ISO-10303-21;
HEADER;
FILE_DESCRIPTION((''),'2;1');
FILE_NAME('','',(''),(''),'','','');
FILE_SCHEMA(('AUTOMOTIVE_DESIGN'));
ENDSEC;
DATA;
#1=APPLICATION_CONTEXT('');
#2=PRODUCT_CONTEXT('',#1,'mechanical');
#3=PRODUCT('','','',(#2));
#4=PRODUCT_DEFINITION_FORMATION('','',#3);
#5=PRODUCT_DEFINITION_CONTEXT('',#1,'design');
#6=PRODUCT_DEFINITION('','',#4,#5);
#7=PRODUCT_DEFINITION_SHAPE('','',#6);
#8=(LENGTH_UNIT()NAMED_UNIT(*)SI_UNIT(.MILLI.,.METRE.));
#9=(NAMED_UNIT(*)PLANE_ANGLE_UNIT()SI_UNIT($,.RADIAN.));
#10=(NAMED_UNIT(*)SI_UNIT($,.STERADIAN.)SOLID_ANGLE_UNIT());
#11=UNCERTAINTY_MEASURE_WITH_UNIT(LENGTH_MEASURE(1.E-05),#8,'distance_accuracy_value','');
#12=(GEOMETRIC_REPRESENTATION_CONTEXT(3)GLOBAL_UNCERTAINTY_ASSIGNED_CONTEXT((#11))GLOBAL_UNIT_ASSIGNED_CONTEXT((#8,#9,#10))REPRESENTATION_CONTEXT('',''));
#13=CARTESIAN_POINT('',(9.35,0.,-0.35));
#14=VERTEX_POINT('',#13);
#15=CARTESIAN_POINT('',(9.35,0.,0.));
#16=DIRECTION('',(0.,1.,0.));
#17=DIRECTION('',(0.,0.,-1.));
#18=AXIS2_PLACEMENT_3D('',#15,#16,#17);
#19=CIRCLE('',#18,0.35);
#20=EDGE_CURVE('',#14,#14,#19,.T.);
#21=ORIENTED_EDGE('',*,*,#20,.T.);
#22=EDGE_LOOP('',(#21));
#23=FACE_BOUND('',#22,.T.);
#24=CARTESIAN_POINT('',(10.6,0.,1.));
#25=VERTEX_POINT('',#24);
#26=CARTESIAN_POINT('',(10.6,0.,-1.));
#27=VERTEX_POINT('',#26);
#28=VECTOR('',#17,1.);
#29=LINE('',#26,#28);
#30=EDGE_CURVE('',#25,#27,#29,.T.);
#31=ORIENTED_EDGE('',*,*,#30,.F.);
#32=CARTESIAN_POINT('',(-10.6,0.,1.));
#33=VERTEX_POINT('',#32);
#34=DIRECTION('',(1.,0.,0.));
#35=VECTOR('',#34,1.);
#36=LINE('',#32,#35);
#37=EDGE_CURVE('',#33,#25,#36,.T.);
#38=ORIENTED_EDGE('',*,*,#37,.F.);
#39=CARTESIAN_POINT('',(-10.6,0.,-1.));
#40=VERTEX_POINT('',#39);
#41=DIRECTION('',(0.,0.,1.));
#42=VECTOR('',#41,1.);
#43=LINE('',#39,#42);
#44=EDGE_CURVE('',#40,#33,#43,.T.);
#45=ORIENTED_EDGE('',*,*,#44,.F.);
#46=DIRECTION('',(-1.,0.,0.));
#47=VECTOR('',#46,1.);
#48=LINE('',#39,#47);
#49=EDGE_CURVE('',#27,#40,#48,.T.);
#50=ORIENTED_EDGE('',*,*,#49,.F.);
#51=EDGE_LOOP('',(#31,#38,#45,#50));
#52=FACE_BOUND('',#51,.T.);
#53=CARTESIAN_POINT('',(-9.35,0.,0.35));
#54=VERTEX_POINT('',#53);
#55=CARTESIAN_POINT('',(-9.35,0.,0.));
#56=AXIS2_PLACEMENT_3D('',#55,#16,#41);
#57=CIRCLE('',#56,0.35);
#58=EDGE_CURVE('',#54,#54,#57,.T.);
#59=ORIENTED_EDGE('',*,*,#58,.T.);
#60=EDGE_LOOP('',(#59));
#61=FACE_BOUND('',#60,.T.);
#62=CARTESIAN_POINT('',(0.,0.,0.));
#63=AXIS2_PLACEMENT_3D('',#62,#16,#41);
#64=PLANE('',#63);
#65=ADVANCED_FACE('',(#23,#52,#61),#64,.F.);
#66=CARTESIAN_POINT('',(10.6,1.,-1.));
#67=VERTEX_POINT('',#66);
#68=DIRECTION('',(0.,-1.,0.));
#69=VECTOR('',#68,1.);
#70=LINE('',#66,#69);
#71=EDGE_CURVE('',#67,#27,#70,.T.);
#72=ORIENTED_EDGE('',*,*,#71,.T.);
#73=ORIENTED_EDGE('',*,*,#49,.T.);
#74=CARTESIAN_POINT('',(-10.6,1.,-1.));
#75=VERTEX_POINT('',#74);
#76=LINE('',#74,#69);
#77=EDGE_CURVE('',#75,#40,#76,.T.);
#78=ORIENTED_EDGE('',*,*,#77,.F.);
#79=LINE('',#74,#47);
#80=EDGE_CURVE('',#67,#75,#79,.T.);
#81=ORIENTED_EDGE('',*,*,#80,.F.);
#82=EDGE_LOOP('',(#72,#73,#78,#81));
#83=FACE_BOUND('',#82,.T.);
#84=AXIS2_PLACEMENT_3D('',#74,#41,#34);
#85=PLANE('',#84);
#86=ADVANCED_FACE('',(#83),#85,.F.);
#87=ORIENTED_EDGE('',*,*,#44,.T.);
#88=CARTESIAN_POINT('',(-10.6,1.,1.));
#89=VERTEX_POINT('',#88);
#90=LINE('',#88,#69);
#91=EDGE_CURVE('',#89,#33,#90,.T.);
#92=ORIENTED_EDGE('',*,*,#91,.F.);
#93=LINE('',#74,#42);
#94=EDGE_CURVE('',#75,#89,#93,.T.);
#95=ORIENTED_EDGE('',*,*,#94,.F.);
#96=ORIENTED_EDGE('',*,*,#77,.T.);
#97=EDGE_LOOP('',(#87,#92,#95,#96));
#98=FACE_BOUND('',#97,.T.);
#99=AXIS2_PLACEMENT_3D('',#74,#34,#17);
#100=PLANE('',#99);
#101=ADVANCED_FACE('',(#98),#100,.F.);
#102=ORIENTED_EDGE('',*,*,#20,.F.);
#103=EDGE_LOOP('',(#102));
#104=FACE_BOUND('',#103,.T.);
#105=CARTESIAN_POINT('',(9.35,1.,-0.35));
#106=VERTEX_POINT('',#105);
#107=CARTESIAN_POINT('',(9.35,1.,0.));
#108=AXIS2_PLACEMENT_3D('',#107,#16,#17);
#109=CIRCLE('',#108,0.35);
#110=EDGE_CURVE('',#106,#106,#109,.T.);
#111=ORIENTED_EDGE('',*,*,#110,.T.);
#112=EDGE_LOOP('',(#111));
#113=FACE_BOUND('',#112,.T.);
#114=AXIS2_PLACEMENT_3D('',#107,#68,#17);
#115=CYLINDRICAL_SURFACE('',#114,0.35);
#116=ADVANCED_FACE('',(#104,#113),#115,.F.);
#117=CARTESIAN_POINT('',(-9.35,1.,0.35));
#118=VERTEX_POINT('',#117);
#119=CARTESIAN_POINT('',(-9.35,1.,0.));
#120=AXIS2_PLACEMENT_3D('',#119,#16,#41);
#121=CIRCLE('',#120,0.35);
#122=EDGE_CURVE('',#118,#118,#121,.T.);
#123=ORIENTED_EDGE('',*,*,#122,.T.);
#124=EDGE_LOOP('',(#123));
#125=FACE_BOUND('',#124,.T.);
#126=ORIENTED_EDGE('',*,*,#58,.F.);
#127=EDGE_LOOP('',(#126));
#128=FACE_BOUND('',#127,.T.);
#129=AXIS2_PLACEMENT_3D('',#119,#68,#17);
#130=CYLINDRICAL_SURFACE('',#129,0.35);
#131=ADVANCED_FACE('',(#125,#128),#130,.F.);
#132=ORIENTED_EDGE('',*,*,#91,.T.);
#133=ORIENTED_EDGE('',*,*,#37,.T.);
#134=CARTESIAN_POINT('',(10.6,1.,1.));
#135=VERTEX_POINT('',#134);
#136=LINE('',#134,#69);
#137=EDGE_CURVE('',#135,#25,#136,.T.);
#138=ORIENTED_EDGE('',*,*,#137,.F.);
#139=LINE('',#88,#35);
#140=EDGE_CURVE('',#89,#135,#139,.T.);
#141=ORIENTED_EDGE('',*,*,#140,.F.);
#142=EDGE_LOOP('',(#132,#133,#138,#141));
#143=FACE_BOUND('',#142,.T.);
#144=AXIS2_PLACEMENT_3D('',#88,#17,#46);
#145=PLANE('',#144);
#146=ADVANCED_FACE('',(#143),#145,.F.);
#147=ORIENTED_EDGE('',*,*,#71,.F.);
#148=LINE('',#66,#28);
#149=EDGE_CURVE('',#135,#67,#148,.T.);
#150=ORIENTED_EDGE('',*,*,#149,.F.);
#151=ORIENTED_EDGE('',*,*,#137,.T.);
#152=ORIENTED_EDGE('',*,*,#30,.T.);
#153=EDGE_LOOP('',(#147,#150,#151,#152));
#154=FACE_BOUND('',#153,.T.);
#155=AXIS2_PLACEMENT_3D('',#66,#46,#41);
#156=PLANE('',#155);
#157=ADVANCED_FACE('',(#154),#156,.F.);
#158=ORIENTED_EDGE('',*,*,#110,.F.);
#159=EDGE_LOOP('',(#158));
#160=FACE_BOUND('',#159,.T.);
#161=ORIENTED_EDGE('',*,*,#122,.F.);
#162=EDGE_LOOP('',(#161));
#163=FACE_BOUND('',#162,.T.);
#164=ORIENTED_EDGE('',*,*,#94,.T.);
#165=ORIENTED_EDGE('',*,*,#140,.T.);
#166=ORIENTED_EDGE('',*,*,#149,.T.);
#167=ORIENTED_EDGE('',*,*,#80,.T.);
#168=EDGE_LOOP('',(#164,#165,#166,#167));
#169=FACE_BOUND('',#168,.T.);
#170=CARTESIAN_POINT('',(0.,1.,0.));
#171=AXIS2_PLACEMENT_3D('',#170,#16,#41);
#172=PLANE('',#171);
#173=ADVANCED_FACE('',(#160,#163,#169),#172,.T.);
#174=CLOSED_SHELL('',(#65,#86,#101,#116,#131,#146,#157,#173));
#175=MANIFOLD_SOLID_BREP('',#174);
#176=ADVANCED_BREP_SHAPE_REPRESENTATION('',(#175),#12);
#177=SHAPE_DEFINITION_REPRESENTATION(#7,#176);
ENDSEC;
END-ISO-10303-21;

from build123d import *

# Parameters (mm, degrees)
SKETCH_1_W      = 21.2
SKETCH_1_H      = 2
SKETCH_1_R      = 0.35
EXTRUDE_1_DEPTH = 1


with BuildPart() as part:
    # Эскиз1 → Бобышка-Вытянуть1 (new body)
    with BuildSketch(Plane(origin=(0, 0, 0), x_dir=(1, 0, 0), z_dir=(0, 1, 0))):
        Rectangle(SKETCH_1_W, SKETCH_1_H)
        with Locations(Location((-9.35, 0, 0), (0, 0, 270))):
            Circle(SKETCH_1_R, mode=Mode.SUBTRACT)
        with Locations(Location((9.35, 0, 0), (0, 0, 90))):
            Circle(SKETCH_1_R, mode=Mode.SUBTRACT)
    extrude(amount=EXTRUDE_1_DEPTH)


solid = part.part
